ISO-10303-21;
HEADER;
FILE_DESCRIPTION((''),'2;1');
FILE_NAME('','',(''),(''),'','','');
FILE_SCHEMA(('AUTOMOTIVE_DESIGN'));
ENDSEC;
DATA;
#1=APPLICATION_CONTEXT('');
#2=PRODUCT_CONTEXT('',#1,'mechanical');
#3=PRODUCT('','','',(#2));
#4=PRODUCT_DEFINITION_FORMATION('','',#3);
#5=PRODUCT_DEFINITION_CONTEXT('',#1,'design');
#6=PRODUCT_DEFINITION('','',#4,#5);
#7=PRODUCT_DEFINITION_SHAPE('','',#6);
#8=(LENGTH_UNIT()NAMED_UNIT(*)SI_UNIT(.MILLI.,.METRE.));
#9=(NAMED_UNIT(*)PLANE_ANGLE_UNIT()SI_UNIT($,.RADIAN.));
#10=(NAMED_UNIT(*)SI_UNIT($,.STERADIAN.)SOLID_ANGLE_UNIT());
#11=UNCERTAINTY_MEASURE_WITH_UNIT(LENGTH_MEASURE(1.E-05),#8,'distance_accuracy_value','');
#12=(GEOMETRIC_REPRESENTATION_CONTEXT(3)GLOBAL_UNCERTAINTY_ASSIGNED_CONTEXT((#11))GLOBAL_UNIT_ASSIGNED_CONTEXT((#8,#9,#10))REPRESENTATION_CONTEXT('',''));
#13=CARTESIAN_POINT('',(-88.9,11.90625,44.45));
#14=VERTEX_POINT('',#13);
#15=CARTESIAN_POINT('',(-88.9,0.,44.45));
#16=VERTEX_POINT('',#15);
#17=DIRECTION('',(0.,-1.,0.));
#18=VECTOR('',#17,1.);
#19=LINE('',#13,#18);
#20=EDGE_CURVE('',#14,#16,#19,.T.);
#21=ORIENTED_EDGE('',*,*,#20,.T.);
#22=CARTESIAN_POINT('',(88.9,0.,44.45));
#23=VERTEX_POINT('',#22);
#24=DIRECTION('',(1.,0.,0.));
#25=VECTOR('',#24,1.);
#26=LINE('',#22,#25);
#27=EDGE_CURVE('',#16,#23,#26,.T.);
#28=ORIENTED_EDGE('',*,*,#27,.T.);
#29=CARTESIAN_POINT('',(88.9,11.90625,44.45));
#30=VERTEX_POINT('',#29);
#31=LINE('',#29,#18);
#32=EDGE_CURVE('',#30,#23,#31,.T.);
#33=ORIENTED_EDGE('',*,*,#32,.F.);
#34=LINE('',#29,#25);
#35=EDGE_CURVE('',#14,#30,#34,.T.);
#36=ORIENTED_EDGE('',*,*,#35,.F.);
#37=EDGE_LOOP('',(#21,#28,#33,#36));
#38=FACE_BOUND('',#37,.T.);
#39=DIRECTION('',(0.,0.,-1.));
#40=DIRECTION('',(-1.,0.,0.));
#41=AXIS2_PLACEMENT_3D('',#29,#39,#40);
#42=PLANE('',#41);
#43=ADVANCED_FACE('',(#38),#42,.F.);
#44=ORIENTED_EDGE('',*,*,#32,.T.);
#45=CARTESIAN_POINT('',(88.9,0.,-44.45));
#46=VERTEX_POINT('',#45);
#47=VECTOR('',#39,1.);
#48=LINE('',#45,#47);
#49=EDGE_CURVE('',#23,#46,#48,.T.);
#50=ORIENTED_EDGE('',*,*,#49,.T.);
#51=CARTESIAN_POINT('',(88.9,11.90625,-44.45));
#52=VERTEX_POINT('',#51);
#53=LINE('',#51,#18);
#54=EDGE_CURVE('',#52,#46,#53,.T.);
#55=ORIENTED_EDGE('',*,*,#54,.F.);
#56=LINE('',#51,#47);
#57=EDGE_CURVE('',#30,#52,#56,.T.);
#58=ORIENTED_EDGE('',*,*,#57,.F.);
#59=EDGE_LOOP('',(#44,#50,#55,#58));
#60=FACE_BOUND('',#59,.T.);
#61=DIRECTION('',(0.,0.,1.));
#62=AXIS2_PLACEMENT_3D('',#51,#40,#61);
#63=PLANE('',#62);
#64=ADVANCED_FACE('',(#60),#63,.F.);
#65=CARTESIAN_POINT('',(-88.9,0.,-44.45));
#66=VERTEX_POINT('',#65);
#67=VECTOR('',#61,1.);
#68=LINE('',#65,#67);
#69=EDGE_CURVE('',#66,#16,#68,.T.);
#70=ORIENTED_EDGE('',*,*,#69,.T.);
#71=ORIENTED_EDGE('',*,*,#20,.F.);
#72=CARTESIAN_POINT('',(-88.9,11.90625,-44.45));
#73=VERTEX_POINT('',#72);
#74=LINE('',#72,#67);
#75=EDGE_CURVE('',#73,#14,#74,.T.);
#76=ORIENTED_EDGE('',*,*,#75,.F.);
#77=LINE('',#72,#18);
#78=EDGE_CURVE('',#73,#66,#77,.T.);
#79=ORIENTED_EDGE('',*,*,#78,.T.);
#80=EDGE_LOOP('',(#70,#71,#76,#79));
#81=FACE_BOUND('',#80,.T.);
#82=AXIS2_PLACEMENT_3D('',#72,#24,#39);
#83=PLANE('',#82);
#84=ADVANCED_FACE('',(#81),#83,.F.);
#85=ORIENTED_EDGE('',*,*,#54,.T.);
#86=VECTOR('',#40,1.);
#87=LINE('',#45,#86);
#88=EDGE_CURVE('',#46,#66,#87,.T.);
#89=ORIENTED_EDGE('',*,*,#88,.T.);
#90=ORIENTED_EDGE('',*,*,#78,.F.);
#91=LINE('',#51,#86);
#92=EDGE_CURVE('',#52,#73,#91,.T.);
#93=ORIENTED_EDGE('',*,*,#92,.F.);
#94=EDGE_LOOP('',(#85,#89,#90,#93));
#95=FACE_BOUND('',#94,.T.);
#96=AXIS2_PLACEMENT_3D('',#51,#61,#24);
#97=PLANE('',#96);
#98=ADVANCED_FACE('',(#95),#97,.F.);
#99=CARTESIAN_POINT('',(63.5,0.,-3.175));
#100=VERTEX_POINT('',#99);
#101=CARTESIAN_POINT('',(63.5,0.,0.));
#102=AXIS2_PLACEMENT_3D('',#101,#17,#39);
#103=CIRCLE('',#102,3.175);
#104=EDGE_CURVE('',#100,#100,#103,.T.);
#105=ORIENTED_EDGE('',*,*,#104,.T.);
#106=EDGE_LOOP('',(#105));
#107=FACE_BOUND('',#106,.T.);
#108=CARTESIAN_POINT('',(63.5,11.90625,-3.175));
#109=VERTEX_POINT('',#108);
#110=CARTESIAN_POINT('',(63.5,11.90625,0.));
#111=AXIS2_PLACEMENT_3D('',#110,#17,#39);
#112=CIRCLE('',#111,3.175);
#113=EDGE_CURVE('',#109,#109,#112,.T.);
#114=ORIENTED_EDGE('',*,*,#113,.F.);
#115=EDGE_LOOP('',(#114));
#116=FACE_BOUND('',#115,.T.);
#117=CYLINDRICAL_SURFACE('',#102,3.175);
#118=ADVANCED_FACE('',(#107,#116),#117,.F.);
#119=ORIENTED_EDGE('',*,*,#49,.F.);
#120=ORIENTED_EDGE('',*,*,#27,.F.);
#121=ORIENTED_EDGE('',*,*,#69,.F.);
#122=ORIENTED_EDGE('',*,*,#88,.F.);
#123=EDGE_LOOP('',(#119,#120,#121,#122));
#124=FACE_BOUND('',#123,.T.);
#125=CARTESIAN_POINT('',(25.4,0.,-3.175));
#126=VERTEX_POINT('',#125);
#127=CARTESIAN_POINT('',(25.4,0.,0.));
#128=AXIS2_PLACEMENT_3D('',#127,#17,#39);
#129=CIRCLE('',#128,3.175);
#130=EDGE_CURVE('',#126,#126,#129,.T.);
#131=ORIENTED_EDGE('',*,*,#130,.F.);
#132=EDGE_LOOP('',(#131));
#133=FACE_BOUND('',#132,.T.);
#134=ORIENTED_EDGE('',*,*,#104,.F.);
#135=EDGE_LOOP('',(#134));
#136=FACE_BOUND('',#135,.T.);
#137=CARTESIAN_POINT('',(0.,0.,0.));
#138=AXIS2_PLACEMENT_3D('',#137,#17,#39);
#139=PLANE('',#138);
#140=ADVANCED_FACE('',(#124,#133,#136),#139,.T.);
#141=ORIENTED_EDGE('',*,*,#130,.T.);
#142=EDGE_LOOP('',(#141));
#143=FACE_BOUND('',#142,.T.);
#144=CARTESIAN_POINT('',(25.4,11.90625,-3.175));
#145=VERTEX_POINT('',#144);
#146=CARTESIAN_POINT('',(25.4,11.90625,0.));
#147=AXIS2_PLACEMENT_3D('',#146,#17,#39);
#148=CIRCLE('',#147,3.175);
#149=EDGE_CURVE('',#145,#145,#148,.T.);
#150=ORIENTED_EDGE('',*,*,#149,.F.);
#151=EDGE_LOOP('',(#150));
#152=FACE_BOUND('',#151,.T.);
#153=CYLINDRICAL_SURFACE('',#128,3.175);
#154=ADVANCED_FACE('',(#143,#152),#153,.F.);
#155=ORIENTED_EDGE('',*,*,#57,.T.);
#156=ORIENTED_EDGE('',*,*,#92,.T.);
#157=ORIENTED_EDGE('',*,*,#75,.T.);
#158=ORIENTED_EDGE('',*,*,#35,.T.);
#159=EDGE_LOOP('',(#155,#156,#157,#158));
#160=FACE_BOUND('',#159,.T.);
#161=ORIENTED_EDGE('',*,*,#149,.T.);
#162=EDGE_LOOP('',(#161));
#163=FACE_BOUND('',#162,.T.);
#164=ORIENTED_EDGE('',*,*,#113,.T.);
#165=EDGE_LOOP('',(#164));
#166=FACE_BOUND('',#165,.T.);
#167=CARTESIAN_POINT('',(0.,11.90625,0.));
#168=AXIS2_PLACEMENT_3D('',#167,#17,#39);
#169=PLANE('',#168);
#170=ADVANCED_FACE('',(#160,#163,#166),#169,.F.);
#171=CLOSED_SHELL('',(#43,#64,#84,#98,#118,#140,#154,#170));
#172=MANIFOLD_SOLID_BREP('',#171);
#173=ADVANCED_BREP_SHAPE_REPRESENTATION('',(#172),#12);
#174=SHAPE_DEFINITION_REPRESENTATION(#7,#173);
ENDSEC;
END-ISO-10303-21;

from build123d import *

# Parameters (mm, degrees)
SKETCH1_W                   = 177.8
SKETCH1_H                   = 88.9
BOSS_EXTRUDE1_DEPTH         = 11.90625
F_1_4_0_25_DIAMETER_HOLE1_D = 6.35


with BuildPart() as part:
    # Sketch1 → Boss-Extrude1 (new body)
    with BuildSketch(Plane(origin=(0, 0, 0), x_dir=(1, 0, 0), z_dir=(0, 1, 0))):
        Rectangle(SKETCH1_W, SKETCH1_H)
    extrude(amount=BOSS_EXTRUDE1_DEPTH)

    # 1/4 (0.25) Diameter Hole1 (through all)
    with Locations(Plane(origin=(0, 0, 0), x_dir=(-1, 0, 0), z_dir=(0, -1, 0))):
        with Locations((-63.5, 0), (-25.4, 0)):
            Hole(F_1_4_0_25_DIAMETER_HOLE1_D / 2)


solid = part.part
